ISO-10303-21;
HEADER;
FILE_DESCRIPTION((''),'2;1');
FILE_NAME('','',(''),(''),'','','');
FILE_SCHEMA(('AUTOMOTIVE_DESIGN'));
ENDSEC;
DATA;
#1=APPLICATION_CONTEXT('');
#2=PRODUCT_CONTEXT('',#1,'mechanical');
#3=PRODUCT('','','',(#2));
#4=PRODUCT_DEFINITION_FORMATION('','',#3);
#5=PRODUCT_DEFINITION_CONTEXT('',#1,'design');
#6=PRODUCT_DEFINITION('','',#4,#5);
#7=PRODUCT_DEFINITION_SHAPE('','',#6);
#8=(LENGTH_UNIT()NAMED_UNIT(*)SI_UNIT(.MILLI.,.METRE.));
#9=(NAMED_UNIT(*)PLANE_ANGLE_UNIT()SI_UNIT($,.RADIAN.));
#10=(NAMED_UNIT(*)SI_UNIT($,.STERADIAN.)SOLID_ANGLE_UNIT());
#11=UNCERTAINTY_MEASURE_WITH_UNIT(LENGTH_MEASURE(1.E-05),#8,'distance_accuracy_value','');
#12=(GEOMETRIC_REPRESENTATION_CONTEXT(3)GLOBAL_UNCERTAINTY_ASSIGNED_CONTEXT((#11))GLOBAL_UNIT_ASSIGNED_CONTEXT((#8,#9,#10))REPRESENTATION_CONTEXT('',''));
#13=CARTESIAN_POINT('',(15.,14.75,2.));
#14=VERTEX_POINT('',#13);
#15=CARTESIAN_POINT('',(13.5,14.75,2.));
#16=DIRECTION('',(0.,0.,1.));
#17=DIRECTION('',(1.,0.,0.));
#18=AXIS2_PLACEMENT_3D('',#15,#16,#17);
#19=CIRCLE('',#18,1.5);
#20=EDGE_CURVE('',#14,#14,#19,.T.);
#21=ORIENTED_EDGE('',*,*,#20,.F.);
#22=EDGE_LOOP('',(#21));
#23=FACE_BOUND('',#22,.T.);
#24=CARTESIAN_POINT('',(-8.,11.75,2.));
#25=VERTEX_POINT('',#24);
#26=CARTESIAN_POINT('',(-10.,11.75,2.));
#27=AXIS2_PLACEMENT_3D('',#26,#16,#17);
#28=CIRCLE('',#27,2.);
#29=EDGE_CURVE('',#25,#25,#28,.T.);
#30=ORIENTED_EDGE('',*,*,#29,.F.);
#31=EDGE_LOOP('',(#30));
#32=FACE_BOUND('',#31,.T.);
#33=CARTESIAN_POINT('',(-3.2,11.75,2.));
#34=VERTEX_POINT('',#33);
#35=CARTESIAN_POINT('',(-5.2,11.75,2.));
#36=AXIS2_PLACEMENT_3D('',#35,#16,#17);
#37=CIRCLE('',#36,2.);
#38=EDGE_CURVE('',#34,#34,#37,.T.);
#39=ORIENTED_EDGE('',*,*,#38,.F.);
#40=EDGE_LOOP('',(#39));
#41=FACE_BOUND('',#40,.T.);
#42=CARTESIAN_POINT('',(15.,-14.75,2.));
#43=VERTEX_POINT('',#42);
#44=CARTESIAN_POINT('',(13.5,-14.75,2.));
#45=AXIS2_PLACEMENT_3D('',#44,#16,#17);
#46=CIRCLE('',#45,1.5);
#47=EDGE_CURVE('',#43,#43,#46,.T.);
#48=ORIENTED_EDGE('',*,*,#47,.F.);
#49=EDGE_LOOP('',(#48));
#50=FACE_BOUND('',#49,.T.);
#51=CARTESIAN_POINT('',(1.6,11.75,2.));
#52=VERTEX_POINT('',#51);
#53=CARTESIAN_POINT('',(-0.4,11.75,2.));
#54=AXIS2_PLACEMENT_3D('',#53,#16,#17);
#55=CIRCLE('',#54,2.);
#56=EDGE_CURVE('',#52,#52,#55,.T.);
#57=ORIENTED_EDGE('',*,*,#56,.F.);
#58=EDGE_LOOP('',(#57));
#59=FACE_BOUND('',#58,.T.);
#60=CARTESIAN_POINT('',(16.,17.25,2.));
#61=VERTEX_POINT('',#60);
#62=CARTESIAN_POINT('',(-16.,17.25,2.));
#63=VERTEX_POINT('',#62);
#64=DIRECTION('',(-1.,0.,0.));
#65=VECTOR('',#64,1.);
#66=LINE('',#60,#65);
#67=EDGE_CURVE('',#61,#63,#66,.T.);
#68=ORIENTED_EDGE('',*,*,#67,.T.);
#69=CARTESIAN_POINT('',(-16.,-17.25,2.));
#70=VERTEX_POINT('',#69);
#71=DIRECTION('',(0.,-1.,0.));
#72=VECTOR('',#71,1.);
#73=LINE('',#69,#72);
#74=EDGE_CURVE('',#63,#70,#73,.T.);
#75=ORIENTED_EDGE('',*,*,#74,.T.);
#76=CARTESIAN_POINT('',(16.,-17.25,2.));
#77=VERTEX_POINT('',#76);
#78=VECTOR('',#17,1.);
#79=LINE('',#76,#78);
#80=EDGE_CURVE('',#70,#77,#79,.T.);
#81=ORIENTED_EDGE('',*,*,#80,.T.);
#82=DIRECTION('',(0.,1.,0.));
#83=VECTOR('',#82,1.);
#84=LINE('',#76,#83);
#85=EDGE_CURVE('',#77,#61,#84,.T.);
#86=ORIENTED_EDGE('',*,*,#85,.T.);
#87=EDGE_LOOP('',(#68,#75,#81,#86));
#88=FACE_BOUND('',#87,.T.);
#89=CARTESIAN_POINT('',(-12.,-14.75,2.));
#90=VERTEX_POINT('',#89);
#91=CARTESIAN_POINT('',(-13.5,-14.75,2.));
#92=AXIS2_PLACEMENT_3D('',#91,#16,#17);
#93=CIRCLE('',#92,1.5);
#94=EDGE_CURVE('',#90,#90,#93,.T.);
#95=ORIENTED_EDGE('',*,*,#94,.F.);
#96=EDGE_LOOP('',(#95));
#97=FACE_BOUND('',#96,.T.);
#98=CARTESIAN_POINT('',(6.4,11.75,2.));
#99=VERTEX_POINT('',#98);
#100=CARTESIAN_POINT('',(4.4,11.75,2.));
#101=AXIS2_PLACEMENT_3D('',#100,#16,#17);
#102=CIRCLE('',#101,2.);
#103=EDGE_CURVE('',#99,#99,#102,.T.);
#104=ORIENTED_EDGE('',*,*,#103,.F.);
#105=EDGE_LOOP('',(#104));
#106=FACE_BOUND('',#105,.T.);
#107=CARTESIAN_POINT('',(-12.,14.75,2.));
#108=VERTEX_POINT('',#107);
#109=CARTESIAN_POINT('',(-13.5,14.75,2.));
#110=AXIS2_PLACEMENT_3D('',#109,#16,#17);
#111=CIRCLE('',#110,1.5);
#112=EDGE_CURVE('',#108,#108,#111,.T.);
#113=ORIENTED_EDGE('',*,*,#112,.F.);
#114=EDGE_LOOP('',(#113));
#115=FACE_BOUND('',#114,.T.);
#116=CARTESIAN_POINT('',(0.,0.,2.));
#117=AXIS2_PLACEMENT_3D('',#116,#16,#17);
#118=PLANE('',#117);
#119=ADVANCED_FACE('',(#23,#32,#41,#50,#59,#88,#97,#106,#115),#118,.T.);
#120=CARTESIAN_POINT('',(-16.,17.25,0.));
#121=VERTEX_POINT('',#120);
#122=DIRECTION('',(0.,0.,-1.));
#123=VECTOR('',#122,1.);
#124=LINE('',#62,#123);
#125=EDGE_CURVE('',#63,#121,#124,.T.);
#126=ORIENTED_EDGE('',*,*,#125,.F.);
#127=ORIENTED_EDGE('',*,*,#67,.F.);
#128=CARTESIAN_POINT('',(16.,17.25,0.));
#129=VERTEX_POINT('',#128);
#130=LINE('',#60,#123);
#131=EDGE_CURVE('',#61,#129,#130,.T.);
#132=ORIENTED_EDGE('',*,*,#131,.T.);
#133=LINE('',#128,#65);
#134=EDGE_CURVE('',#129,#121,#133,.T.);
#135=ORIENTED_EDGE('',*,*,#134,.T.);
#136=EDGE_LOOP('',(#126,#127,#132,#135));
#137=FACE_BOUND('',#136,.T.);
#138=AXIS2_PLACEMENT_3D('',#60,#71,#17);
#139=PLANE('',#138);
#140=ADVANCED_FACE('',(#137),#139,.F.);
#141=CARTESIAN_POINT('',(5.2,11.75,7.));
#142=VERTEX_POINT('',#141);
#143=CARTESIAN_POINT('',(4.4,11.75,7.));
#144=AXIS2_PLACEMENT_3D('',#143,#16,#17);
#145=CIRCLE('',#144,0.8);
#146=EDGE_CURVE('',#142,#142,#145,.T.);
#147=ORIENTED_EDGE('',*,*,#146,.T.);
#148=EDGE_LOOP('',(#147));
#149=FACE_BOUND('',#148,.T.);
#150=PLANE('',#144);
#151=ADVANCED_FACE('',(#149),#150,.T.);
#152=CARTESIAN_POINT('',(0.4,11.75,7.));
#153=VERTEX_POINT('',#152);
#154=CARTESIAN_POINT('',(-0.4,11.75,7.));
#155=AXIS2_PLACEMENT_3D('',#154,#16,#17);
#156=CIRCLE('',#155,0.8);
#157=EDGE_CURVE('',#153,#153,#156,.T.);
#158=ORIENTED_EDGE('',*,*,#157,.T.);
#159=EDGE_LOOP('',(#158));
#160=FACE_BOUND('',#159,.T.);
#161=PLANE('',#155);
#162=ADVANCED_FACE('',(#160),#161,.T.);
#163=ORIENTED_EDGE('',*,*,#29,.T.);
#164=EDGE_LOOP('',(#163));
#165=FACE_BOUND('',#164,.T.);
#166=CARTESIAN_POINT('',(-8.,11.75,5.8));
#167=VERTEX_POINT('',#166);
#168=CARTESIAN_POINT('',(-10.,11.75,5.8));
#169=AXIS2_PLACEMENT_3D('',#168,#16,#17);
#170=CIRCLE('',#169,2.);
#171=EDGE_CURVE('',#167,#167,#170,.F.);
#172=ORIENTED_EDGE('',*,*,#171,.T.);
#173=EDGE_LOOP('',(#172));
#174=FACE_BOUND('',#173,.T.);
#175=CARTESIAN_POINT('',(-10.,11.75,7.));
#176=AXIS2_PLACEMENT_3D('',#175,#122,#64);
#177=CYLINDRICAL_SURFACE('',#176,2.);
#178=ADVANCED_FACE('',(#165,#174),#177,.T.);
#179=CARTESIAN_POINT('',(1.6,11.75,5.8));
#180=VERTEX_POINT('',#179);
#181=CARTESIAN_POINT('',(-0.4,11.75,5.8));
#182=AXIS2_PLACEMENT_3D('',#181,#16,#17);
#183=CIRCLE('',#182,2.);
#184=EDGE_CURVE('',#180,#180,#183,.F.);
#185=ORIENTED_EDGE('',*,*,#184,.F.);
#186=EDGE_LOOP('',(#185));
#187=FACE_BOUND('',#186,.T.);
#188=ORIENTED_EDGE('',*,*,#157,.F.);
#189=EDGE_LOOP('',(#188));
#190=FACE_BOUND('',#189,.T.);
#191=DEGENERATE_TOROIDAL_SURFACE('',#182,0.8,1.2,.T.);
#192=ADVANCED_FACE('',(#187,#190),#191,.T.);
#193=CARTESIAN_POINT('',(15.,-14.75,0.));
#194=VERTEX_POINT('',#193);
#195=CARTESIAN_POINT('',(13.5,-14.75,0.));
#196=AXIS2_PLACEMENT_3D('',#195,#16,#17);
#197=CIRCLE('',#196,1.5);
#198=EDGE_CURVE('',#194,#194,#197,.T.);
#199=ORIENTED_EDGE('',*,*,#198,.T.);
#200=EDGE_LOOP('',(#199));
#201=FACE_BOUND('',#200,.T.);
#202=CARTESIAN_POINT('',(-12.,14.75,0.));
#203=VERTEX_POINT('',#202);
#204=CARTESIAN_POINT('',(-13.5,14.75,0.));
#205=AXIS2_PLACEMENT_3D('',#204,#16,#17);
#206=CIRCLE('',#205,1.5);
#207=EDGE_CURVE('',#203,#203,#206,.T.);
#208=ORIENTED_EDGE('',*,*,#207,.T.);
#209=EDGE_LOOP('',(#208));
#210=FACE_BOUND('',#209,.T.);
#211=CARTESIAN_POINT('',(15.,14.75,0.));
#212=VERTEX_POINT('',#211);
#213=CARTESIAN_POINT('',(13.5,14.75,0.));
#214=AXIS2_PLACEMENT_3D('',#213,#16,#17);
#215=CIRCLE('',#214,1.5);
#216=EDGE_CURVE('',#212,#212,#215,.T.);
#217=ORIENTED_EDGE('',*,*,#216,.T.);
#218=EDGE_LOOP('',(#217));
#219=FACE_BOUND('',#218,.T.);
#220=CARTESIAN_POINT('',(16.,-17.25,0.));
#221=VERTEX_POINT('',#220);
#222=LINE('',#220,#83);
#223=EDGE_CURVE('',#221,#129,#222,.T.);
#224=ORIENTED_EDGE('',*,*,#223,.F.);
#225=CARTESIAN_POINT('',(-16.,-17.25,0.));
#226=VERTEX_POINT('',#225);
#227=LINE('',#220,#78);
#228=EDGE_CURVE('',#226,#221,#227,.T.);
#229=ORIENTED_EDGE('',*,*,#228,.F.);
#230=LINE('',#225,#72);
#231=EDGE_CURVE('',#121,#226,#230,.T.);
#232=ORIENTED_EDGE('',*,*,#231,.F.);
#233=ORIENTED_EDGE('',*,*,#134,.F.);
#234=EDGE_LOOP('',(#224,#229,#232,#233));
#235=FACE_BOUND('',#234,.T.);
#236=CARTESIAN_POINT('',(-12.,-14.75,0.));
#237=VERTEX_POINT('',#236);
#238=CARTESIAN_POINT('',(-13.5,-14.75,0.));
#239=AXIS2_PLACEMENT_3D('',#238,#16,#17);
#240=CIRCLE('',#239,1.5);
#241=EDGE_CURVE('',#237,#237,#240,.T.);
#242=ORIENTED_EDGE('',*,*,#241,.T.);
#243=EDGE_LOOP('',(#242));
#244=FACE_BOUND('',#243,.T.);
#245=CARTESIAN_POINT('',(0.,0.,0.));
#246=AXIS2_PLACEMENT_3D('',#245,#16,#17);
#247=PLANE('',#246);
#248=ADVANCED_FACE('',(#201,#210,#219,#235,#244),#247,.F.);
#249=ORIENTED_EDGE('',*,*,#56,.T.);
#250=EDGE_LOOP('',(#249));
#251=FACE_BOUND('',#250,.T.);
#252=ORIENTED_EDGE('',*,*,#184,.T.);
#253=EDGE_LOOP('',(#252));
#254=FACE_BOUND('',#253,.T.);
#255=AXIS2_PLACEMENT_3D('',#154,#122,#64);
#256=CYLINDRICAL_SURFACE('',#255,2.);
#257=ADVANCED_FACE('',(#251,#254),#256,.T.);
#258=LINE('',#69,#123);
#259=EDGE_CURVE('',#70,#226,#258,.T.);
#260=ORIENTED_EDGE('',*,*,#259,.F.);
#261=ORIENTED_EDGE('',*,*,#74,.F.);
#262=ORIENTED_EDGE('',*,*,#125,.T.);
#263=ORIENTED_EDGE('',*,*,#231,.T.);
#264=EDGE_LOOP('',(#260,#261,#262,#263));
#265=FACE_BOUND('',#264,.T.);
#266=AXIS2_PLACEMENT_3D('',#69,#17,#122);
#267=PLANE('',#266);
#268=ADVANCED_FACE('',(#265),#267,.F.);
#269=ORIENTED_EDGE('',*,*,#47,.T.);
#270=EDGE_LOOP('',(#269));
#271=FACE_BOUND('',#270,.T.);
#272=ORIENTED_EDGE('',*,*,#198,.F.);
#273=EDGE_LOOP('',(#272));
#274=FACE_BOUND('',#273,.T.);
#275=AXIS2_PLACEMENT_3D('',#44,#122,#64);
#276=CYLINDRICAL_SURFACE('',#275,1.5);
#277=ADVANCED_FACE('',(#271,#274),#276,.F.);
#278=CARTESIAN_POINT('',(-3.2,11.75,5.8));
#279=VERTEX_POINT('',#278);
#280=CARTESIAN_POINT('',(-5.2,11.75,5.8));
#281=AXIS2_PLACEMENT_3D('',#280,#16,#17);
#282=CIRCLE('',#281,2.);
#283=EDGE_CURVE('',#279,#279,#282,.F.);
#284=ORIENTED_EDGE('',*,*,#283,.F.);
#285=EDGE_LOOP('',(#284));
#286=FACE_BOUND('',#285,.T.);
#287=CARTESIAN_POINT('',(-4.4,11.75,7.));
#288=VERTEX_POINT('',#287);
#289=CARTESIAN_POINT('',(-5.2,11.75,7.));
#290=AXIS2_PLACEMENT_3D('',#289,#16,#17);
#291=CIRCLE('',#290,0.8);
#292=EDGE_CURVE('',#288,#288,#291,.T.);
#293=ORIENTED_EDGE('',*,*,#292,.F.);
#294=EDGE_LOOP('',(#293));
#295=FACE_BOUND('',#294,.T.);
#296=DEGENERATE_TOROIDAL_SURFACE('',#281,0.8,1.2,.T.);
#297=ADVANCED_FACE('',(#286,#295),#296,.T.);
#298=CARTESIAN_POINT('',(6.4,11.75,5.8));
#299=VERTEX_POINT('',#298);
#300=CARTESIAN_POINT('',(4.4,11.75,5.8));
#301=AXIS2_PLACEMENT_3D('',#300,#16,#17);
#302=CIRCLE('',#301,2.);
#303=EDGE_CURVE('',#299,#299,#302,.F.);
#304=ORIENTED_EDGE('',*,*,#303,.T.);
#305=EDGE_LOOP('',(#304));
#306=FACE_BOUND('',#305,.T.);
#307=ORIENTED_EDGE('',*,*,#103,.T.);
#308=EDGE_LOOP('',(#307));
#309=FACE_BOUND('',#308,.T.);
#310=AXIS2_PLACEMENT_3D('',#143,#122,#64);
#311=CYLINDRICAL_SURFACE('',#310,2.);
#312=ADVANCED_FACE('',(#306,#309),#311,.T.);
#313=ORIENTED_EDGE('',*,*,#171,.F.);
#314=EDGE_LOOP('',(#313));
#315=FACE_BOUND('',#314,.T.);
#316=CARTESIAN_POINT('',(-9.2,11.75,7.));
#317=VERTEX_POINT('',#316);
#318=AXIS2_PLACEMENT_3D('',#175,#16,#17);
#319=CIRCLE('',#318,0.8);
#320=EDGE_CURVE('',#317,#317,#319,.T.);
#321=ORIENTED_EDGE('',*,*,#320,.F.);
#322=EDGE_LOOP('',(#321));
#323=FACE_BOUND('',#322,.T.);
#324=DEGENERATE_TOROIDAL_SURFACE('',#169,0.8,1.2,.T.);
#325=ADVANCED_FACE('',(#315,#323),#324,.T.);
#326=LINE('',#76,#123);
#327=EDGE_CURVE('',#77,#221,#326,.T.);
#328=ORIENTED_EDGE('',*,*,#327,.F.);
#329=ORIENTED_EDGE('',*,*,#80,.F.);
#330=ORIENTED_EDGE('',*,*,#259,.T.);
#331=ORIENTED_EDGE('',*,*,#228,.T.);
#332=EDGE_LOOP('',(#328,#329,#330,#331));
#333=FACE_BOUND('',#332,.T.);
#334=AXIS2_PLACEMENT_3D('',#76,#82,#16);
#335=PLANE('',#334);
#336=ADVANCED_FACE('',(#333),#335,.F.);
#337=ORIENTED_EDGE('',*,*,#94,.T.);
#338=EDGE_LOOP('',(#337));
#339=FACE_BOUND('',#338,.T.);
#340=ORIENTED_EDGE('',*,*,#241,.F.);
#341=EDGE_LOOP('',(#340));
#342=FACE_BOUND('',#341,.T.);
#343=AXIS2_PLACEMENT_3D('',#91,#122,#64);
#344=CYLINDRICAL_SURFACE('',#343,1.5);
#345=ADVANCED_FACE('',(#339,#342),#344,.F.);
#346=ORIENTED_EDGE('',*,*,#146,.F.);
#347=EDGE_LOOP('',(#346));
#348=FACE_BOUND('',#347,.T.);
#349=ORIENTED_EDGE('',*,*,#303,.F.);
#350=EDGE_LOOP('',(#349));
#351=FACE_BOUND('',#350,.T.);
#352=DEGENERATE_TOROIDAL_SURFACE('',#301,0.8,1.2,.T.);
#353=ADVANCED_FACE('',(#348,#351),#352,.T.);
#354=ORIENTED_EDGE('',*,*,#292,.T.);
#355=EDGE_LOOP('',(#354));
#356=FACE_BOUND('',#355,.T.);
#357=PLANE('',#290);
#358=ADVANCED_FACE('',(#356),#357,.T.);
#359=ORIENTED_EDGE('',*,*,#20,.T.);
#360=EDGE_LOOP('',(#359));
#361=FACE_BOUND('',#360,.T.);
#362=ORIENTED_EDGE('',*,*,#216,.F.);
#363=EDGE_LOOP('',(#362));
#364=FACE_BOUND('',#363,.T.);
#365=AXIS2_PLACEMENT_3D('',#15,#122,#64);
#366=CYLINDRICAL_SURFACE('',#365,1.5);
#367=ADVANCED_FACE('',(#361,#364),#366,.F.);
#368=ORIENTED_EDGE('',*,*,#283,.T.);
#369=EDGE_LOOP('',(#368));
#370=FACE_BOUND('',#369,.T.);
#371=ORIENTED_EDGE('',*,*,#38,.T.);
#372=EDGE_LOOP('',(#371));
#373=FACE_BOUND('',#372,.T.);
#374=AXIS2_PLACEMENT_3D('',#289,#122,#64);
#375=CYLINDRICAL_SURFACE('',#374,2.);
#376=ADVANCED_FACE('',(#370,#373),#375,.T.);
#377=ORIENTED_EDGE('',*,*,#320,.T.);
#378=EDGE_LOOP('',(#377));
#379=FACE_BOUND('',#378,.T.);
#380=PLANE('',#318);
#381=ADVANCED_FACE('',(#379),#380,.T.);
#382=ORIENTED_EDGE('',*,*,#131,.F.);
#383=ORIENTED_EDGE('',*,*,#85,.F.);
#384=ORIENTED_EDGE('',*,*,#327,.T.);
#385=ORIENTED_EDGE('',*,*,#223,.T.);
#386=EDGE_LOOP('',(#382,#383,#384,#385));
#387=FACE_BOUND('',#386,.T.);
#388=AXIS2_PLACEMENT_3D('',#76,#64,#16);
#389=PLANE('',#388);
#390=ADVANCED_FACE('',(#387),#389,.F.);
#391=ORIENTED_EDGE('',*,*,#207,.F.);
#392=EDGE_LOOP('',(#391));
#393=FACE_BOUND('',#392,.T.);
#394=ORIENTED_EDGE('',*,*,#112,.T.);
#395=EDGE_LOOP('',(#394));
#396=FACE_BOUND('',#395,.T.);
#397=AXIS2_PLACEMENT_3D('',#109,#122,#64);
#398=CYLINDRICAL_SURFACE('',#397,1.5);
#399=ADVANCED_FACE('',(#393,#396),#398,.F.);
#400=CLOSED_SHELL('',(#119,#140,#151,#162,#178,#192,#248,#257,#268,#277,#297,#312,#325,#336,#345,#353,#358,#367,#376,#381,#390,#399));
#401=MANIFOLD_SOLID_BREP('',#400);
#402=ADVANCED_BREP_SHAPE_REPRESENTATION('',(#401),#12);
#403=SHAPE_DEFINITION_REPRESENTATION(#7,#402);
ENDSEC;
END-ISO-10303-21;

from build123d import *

# Parameters (mm, degrees)
SKETCH1_W           = 32
SKETCH1_H           = 34.5
SKETCH1_R           = 1.5
BOSS_EXTRUDE1_DEPTH = 2
SKETCH2_R           = 2
BOSS_EXTRUDE2_DEPTH = 5
FILLET1_R           = 1.2


with BuildPart() as part:
    # Sketch1 → Boss-Extrude1 (new body)
    with BuildSketch(Plane.XY):
        Rectangle(SKETCH1_W, SKETCH1_H)
        with Locations((-13.5, 14.75)):
            Circle(SKETCH1_R, mode=Mode.SUBTRACT)
        with Locations((13.5, 14.75)):
            Circle(SKETCH1_R, mode=Mode.SUBTRACT)
        with Locations((-13.5, -14.75)):
            Circle(SKETCH1_R, mode=Mode.SUBTRACT)
        with Locations((13.5, -14.75)):
            Circle(SKETCH1_R, mode=Mode.SUBTRACT)
    extrude(amount=BOSS_EXTRUDE1_DEPTH)

    # Sketch2 → Boss-Extrude2 (add)
    with BuildSketch(Plane.XY.offset(2)):
        with Locations((-10, 11.75)):
            Circle(SKETCH2_R)
        with Locations((-5.2, 11.75)):
            Circle(SKETCH2_R)
        with Locations((-0.4, 11.75)):
            Circle(SKETCH2_R)
        with Locations((4.4, 11.75)):
            Circle(SKETCH2_R)
    extrude(amount=BOSS_EXTRUDE2_DEPTH)

    # Fillet1
    fillet1_edges = [part.edges().sort_by_distance(p)[0] for p in [
        (-12, 11.75, 7),
        (-7.2, 11.75, 7),
        (-2.4, 11.75, 7),
        (2.4, 11.75, 7),
    ]]
    fillet(fillet1_edges, radius=FILLET1_R)


solid = part.part
